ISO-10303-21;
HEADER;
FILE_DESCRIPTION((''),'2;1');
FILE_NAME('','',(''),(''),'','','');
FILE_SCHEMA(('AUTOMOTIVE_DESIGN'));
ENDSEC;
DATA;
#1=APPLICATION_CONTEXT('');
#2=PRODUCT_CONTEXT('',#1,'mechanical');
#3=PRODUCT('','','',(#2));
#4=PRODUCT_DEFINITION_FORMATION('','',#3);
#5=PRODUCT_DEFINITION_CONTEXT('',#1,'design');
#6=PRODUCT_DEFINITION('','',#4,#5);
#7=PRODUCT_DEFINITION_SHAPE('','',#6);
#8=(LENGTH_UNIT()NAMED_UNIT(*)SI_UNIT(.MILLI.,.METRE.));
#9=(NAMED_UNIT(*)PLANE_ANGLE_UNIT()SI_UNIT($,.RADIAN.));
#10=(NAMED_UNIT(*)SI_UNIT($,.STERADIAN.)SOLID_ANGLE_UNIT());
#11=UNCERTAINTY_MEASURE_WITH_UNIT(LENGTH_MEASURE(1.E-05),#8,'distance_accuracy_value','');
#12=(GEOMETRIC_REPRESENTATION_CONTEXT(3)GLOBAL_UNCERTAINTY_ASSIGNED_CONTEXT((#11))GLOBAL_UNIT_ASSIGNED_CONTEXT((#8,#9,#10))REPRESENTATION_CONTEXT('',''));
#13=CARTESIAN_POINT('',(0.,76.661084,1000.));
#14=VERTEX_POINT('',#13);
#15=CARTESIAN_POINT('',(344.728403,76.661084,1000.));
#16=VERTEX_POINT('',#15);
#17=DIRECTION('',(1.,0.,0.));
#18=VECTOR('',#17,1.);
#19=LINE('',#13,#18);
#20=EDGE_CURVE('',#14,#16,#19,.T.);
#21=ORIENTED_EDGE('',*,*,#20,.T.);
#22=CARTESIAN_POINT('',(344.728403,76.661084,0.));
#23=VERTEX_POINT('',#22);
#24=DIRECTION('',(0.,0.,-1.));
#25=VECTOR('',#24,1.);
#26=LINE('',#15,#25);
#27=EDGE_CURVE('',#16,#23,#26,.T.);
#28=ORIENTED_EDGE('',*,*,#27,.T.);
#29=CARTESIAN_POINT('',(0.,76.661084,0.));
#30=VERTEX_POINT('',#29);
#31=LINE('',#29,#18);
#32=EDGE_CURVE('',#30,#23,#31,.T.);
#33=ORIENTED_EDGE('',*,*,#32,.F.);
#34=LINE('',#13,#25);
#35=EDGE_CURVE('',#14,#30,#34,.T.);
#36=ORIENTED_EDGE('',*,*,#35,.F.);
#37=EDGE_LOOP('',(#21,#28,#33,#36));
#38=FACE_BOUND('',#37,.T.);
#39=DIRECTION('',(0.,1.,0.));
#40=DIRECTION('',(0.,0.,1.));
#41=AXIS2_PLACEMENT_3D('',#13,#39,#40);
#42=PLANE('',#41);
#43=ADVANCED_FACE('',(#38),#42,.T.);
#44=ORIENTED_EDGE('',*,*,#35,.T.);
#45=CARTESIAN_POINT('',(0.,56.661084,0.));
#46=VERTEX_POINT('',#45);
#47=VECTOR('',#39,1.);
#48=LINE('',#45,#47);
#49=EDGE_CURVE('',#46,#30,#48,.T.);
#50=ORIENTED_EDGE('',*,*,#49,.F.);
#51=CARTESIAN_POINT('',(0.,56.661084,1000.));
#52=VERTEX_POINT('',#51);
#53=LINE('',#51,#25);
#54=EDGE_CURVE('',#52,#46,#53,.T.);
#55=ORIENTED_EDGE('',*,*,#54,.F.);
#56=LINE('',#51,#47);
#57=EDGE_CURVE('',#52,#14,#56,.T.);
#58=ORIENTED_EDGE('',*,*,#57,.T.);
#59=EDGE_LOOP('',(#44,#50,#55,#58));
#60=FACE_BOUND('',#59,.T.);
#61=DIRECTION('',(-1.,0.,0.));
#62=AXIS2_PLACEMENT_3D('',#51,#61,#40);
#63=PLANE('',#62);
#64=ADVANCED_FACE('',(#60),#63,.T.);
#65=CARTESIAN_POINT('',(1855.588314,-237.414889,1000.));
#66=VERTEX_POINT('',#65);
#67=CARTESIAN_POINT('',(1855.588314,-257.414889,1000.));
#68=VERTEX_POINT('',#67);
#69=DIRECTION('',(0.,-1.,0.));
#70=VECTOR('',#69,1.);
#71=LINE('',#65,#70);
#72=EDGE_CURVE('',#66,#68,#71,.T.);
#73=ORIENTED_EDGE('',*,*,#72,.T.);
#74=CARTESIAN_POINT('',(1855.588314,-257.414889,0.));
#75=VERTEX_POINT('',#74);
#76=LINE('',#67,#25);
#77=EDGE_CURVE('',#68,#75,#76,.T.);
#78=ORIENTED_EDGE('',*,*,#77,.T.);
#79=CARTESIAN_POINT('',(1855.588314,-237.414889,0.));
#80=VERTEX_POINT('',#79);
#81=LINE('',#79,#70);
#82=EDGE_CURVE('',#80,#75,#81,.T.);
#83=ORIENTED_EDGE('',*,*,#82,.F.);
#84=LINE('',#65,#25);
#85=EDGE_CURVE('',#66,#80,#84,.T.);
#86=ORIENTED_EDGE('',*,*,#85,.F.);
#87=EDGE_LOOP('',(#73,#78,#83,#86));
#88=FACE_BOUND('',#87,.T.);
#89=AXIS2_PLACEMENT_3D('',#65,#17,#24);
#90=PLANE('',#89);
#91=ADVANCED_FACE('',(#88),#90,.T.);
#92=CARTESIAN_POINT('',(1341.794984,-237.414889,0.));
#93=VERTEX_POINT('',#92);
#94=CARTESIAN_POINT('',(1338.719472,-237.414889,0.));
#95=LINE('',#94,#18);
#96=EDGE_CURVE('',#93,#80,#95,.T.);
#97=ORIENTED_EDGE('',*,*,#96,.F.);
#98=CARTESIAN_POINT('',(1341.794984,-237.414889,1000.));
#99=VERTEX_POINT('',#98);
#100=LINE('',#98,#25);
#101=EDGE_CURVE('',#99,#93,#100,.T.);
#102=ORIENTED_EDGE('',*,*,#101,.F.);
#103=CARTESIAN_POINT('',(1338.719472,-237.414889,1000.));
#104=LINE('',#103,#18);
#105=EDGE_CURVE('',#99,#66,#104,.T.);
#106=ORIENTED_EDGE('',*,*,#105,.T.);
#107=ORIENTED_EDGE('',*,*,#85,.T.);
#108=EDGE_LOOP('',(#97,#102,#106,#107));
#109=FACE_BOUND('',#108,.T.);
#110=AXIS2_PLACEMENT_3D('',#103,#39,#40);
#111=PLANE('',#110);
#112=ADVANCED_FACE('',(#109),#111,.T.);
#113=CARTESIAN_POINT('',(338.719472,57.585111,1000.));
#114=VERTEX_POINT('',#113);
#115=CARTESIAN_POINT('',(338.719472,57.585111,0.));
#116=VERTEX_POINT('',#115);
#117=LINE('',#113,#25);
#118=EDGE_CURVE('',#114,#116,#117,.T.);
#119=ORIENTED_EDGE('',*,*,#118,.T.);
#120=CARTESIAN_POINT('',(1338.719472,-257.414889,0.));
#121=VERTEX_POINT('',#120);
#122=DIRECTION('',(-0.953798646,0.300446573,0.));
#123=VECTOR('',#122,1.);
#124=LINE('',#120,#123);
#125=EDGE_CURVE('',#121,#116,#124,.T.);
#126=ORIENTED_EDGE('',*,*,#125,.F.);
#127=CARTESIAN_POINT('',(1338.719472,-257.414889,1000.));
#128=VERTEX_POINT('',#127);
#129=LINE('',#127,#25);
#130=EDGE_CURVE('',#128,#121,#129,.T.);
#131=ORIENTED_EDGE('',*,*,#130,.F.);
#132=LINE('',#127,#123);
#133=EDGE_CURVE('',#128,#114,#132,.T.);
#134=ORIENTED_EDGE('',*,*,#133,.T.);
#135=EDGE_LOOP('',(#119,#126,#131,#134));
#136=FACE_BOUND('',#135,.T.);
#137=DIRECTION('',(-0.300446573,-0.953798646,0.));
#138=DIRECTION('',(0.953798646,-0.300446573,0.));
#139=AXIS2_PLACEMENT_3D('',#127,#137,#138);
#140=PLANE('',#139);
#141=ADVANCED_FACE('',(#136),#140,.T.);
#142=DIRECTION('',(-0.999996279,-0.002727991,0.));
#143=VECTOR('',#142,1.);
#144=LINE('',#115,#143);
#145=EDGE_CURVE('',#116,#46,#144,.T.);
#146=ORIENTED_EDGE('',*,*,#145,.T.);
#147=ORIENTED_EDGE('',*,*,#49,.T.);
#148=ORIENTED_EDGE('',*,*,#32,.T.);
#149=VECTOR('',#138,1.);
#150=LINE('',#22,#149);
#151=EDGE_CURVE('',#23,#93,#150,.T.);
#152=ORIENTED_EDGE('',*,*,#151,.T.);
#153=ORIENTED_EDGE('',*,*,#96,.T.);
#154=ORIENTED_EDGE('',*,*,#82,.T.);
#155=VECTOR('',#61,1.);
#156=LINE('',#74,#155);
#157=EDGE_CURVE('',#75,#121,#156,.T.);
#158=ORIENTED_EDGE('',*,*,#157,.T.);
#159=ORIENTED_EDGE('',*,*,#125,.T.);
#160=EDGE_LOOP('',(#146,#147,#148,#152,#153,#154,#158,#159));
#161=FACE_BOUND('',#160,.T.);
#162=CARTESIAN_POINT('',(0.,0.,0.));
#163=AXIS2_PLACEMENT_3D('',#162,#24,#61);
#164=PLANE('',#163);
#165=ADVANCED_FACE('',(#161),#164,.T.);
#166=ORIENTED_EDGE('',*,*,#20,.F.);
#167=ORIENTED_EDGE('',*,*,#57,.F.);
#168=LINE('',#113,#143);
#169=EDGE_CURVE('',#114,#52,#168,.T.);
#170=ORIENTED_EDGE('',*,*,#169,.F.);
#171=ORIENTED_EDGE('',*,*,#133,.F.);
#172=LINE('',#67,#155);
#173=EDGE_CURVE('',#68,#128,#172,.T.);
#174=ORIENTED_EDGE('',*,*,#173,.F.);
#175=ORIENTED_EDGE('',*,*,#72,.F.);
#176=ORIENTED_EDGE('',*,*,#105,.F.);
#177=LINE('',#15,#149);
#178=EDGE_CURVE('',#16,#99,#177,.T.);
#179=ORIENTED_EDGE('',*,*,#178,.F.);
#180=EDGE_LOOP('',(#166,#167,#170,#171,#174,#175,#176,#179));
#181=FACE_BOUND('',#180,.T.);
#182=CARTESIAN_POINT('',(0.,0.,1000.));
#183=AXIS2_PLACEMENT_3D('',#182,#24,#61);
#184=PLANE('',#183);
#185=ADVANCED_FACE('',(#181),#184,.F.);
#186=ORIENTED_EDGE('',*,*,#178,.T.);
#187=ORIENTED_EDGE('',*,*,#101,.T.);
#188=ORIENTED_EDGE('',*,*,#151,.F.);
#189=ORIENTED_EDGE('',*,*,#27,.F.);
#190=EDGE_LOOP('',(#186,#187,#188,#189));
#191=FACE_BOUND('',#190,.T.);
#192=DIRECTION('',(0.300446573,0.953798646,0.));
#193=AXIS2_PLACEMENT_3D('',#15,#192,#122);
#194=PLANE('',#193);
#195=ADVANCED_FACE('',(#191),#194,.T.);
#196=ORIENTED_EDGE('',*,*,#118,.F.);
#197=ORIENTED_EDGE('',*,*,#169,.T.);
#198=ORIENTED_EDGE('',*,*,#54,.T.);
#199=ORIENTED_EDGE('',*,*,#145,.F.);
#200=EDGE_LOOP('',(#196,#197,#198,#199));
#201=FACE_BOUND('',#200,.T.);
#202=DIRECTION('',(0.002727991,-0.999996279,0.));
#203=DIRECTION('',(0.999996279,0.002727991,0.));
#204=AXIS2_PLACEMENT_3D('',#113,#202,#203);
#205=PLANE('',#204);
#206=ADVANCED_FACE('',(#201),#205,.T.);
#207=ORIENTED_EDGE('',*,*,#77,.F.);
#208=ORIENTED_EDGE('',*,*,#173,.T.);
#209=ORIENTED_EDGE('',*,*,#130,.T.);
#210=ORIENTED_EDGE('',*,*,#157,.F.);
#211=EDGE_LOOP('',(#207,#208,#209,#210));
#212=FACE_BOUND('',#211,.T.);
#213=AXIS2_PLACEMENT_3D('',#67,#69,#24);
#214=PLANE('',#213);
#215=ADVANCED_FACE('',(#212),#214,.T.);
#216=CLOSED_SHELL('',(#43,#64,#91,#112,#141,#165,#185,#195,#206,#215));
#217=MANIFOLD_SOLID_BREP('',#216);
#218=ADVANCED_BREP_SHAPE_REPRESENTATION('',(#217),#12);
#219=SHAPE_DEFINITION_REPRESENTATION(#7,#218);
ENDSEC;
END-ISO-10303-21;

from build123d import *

# Parameters (mm, degrees)
BOSS_EXTRUDE1_DEPTH = 1000


with BuildPart() as part:
    # Sketch1 → Boss-Extrude1 (new body)
    with BuildSketch(Plane.XY):
        Polygon((0, 76.661083739), (0, 56.661083739), (338.719471809, 57.585110825), (1338.719471809, -257.414889175), (1338.719471809, -237.414889175), (1341.794983957, -237.414889175), (344.728403277, 76.661083739), align=None)
        Polygon((1338.719471809, -237.414889175), (1338.719471809, -257.414889175), (1405.287047449, -257.414889175), (1341.794983957, -237.414889175), align=None)
        Polygon((1855.588314329, -237.414889175), (1341.794983957, -237.414889175), (1405.287047449, -257.414889175), (1855.588314329, -257.414889175), align=None)
    extrude(amount=BOSS_EXTRUDE1_DEPTH)


solid = part.part
